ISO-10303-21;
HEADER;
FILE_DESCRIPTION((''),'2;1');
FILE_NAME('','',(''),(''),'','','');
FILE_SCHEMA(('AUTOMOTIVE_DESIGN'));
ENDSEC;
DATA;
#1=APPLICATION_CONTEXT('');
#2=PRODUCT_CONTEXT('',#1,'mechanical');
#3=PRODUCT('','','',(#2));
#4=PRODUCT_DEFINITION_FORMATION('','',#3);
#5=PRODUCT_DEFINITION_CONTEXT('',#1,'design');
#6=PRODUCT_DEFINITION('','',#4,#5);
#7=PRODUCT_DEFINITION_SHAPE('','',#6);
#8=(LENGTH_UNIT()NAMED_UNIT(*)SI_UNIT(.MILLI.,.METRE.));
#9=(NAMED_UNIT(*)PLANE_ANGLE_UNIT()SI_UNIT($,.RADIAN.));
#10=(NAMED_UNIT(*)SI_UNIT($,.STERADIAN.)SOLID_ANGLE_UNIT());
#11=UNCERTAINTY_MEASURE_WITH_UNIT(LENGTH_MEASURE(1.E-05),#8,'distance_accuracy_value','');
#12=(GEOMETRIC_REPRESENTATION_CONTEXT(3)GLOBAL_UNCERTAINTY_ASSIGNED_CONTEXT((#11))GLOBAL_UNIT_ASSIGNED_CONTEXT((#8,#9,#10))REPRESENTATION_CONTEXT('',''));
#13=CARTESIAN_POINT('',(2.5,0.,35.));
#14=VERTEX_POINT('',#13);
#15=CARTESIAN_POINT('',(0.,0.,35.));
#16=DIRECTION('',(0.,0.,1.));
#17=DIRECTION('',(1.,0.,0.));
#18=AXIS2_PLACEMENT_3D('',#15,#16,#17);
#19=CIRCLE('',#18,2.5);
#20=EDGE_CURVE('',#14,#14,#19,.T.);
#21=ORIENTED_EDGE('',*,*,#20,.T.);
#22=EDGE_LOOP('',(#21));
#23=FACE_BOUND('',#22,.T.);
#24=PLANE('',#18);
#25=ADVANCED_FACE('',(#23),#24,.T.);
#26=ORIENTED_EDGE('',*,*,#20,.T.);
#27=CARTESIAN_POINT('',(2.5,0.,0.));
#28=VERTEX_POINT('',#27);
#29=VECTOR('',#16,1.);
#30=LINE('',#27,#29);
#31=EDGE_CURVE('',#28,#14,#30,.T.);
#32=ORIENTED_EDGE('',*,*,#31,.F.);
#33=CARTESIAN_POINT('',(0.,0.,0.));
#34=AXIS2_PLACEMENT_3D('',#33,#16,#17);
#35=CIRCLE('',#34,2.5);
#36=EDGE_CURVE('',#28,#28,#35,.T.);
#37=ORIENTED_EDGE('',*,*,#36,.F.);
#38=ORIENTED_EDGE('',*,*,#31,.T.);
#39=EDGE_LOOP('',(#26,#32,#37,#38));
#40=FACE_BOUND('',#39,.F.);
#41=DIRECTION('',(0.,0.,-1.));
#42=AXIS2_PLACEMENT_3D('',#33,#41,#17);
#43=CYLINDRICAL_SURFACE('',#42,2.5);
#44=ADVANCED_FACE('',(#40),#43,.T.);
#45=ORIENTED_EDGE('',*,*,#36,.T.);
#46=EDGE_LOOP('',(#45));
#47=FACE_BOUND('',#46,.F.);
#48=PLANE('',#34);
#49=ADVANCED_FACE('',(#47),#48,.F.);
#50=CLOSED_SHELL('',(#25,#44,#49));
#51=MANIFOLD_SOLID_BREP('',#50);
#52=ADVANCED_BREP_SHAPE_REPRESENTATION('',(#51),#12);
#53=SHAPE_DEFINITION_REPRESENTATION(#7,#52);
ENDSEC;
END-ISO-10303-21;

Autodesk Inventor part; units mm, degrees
ref_plane "YZ Plane" through (0, 0, 0) normal (1, 0, 0) x (0, 1, 0)
ref_plane "XZ Plane" through (0, 0, 0) normal (0, 1, 0) x (-1, 0, 0)
ref_plane "XY Plane" through (0, 0, 0) normal (0, 0, 1) x (1, 0, 0)
sketch "Boceto1" plane through (0, 0, 0) normal (0, 0, 1) x (1, 0, 0)
  circle A0 centre (0, 0) radius 2.5
  dimension "d2" = 5
  dimension "d2" = 5
extrude "Extrusión1" add sketch "Boceto1" along normal blind 35
properties part number "pasador"
